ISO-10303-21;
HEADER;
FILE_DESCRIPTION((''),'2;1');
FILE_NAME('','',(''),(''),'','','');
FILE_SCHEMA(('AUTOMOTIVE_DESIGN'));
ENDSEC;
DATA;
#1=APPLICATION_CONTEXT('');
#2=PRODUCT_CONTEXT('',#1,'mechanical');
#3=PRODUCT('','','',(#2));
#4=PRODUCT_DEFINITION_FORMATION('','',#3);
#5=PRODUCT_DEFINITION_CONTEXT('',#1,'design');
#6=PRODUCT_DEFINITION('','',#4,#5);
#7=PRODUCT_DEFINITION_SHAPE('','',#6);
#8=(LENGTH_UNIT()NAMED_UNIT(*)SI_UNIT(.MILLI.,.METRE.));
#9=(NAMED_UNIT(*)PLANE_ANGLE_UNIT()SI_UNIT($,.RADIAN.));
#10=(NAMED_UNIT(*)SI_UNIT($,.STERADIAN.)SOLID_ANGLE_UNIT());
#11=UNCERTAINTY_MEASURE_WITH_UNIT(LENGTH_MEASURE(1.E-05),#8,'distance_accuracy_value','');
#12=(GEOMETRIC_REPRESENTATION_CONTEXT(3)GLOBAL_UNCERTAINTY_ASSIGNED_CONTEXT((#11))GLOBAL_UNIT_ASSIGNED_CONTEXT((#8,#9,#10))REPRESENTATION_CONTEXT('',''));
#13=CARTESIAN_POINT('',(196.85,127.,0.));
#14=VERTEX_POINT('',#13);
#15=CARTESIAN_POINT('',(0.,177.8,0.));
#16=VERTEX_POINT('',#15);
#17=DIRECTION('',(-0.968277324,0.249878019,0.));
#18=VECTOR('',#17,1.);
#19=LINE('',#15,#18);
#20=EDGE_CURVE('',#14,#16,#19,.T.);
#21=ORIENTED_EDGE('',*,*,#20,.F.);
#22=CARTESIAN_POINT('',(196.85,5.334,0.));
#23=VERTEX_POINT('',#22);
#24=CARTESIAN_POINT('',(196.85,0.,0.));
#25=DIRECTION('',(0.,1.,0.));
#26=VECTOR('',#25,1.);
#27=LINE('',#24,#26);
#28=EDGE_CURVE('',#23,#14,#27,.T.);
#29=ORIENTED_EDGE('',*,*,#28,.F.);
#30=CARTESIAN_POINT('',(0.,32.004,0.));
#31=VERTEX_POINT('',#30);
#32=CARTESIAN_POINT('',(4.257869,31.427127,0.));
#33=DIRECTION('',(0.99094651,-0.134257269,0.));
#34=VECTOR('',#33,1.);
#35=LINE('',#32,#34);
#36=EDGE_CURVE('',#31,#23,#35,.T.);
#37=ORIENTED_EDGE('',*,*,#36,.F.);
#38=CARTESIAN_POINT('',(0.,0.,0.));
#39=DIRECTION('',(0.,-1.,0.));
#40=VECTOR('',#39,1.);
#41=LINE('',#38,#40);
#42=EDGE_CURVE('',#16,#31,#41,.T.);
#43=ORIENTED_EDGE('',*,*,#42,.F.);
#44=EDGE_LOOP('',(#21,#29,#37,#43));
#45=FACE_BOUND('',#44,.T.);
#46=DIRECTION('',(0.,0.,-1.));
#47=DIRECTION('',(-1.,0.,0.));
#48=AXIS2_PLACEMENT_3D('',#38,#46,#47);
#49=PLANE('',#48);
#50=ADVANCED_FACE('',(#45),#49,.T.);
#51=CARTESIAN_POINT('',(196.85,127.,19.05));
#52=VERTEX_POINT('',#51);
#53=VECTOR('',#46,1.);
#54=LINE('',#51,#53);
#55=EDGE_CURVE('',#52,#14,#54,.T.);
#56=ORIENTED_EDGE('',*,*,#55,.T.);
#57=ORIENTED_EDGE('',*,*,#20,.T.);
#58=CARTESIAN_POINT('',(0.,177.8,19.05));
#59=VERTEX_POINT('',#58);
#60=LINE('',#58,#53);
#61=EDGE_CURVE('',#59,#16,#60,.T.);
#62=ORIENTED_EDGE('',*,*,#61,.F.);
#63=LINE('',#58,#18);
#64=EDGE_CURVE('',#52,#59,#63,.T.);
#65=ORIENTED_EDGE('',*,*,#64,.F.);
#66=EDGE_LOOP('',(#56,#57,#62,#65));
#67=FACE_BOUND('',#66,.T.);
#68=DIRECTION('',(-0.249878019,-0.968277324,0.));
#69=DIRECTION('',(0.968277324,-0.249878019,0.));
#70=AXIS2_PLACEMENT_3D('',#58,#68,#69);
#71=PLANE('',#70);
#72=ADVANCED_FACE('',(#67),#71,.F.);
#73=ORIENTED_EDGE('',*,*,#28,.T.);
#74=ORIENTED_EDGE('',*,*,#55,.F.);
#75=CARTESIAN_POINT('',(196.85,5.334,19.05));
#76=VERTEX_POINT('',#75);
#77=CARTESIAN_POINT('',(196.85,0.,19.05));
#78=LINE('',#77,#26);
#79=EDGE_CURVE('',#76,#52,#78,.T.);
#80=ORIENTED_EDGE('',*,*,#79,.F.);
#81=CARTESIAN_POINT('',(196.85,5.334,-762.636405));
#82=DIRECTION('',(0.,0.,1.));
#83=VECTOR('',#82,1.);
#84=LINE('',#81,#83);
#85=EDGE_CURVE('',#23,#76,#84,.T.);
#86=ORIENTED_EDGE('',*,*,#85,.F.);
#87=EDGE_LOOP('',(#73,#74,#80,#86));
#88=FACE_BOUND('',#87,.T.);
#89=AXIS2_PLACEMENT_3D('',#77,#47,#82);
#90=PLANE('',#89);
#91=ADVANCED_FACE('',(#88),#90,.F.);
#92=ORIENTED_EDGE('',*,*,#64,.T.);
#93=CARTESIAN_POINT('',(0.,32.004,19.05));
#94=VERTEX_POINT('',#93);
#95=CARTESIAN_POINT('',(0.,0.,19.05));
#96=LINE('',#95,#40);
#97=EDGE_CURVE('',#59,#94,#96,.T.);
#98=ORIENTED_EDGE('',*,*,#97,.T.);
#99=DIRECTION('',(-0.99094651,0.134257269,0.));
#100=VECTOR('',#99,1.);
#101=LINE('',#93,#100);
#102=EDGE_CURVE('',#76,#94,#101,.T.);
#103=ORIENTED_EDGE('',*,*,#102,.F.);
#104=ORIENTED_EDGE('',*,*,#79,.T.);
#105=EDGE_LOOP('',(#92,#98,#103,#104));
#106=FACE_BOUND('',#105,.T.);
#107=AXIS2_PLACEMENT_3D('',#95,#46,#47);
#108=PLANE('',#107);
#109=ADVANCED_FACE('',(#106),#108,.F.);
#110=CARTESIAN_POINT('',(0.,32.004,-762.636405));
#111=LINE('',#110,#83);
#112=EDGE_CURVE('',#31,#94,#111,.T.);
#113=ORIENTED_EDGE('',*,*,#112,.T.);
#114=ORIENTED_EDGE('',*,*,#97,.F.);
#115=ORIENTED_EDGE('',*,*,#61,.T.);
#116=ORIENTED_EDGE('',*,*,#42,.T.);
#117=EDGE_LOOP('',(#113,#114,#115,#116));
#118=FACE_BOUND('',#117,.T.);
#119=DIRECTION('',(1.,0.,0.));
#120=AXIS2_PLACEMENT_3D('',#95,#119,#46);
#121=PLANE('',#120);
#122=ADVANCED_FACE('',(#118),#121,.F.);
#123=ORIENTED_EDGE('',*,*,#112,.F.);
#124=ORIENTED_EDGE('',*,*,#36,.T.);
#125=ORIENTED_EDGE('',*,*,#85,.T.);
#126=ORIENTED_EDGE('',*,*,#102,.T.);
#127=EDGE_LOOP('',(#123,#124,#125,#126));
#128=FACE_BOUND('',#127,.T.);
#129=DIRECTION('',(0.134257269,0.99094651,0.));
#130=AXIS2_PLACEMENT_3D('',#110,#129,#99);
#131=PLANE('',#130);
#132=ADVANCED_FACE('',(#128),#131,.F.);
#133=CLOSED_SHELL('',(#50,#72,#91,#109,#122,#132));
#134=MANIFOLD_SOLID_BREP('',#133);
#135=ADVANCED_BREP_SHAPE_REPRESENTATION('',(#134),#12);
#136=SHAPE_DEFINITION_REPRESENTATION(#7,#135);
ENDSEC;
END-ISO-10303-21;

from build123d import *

# Parameters (mm, degrees)
BOSS_EXTRUDE1_DEPTH = 19.05
CUT_EXTRUDE2_DEPTH  = 781.686405159


with BuildPart() as part:
    # Sketch1 → Boss-Extrude1 (new body)
    with BuildSketch(Plane.XY):
        Polygon((0, 0), (196.85, 0), (196.85, 127), (0, 177.8), align=None)
    extrude(amount=BOSS_EXTRUDE1_DEPTH)

    # Sketch3 → Cut-Extrude2 (cut)
    with BuildSketch(Plane.XY.offset(19.05)):
        Polygon((0, 0), (0, 32.004), (196.85, 5.334), (196.85, 0), align=None)
    extrude(amount=-CUT_EXTRUDE2_DEPTH, mode=Mode.SUBTRACT)


solid = part.part
